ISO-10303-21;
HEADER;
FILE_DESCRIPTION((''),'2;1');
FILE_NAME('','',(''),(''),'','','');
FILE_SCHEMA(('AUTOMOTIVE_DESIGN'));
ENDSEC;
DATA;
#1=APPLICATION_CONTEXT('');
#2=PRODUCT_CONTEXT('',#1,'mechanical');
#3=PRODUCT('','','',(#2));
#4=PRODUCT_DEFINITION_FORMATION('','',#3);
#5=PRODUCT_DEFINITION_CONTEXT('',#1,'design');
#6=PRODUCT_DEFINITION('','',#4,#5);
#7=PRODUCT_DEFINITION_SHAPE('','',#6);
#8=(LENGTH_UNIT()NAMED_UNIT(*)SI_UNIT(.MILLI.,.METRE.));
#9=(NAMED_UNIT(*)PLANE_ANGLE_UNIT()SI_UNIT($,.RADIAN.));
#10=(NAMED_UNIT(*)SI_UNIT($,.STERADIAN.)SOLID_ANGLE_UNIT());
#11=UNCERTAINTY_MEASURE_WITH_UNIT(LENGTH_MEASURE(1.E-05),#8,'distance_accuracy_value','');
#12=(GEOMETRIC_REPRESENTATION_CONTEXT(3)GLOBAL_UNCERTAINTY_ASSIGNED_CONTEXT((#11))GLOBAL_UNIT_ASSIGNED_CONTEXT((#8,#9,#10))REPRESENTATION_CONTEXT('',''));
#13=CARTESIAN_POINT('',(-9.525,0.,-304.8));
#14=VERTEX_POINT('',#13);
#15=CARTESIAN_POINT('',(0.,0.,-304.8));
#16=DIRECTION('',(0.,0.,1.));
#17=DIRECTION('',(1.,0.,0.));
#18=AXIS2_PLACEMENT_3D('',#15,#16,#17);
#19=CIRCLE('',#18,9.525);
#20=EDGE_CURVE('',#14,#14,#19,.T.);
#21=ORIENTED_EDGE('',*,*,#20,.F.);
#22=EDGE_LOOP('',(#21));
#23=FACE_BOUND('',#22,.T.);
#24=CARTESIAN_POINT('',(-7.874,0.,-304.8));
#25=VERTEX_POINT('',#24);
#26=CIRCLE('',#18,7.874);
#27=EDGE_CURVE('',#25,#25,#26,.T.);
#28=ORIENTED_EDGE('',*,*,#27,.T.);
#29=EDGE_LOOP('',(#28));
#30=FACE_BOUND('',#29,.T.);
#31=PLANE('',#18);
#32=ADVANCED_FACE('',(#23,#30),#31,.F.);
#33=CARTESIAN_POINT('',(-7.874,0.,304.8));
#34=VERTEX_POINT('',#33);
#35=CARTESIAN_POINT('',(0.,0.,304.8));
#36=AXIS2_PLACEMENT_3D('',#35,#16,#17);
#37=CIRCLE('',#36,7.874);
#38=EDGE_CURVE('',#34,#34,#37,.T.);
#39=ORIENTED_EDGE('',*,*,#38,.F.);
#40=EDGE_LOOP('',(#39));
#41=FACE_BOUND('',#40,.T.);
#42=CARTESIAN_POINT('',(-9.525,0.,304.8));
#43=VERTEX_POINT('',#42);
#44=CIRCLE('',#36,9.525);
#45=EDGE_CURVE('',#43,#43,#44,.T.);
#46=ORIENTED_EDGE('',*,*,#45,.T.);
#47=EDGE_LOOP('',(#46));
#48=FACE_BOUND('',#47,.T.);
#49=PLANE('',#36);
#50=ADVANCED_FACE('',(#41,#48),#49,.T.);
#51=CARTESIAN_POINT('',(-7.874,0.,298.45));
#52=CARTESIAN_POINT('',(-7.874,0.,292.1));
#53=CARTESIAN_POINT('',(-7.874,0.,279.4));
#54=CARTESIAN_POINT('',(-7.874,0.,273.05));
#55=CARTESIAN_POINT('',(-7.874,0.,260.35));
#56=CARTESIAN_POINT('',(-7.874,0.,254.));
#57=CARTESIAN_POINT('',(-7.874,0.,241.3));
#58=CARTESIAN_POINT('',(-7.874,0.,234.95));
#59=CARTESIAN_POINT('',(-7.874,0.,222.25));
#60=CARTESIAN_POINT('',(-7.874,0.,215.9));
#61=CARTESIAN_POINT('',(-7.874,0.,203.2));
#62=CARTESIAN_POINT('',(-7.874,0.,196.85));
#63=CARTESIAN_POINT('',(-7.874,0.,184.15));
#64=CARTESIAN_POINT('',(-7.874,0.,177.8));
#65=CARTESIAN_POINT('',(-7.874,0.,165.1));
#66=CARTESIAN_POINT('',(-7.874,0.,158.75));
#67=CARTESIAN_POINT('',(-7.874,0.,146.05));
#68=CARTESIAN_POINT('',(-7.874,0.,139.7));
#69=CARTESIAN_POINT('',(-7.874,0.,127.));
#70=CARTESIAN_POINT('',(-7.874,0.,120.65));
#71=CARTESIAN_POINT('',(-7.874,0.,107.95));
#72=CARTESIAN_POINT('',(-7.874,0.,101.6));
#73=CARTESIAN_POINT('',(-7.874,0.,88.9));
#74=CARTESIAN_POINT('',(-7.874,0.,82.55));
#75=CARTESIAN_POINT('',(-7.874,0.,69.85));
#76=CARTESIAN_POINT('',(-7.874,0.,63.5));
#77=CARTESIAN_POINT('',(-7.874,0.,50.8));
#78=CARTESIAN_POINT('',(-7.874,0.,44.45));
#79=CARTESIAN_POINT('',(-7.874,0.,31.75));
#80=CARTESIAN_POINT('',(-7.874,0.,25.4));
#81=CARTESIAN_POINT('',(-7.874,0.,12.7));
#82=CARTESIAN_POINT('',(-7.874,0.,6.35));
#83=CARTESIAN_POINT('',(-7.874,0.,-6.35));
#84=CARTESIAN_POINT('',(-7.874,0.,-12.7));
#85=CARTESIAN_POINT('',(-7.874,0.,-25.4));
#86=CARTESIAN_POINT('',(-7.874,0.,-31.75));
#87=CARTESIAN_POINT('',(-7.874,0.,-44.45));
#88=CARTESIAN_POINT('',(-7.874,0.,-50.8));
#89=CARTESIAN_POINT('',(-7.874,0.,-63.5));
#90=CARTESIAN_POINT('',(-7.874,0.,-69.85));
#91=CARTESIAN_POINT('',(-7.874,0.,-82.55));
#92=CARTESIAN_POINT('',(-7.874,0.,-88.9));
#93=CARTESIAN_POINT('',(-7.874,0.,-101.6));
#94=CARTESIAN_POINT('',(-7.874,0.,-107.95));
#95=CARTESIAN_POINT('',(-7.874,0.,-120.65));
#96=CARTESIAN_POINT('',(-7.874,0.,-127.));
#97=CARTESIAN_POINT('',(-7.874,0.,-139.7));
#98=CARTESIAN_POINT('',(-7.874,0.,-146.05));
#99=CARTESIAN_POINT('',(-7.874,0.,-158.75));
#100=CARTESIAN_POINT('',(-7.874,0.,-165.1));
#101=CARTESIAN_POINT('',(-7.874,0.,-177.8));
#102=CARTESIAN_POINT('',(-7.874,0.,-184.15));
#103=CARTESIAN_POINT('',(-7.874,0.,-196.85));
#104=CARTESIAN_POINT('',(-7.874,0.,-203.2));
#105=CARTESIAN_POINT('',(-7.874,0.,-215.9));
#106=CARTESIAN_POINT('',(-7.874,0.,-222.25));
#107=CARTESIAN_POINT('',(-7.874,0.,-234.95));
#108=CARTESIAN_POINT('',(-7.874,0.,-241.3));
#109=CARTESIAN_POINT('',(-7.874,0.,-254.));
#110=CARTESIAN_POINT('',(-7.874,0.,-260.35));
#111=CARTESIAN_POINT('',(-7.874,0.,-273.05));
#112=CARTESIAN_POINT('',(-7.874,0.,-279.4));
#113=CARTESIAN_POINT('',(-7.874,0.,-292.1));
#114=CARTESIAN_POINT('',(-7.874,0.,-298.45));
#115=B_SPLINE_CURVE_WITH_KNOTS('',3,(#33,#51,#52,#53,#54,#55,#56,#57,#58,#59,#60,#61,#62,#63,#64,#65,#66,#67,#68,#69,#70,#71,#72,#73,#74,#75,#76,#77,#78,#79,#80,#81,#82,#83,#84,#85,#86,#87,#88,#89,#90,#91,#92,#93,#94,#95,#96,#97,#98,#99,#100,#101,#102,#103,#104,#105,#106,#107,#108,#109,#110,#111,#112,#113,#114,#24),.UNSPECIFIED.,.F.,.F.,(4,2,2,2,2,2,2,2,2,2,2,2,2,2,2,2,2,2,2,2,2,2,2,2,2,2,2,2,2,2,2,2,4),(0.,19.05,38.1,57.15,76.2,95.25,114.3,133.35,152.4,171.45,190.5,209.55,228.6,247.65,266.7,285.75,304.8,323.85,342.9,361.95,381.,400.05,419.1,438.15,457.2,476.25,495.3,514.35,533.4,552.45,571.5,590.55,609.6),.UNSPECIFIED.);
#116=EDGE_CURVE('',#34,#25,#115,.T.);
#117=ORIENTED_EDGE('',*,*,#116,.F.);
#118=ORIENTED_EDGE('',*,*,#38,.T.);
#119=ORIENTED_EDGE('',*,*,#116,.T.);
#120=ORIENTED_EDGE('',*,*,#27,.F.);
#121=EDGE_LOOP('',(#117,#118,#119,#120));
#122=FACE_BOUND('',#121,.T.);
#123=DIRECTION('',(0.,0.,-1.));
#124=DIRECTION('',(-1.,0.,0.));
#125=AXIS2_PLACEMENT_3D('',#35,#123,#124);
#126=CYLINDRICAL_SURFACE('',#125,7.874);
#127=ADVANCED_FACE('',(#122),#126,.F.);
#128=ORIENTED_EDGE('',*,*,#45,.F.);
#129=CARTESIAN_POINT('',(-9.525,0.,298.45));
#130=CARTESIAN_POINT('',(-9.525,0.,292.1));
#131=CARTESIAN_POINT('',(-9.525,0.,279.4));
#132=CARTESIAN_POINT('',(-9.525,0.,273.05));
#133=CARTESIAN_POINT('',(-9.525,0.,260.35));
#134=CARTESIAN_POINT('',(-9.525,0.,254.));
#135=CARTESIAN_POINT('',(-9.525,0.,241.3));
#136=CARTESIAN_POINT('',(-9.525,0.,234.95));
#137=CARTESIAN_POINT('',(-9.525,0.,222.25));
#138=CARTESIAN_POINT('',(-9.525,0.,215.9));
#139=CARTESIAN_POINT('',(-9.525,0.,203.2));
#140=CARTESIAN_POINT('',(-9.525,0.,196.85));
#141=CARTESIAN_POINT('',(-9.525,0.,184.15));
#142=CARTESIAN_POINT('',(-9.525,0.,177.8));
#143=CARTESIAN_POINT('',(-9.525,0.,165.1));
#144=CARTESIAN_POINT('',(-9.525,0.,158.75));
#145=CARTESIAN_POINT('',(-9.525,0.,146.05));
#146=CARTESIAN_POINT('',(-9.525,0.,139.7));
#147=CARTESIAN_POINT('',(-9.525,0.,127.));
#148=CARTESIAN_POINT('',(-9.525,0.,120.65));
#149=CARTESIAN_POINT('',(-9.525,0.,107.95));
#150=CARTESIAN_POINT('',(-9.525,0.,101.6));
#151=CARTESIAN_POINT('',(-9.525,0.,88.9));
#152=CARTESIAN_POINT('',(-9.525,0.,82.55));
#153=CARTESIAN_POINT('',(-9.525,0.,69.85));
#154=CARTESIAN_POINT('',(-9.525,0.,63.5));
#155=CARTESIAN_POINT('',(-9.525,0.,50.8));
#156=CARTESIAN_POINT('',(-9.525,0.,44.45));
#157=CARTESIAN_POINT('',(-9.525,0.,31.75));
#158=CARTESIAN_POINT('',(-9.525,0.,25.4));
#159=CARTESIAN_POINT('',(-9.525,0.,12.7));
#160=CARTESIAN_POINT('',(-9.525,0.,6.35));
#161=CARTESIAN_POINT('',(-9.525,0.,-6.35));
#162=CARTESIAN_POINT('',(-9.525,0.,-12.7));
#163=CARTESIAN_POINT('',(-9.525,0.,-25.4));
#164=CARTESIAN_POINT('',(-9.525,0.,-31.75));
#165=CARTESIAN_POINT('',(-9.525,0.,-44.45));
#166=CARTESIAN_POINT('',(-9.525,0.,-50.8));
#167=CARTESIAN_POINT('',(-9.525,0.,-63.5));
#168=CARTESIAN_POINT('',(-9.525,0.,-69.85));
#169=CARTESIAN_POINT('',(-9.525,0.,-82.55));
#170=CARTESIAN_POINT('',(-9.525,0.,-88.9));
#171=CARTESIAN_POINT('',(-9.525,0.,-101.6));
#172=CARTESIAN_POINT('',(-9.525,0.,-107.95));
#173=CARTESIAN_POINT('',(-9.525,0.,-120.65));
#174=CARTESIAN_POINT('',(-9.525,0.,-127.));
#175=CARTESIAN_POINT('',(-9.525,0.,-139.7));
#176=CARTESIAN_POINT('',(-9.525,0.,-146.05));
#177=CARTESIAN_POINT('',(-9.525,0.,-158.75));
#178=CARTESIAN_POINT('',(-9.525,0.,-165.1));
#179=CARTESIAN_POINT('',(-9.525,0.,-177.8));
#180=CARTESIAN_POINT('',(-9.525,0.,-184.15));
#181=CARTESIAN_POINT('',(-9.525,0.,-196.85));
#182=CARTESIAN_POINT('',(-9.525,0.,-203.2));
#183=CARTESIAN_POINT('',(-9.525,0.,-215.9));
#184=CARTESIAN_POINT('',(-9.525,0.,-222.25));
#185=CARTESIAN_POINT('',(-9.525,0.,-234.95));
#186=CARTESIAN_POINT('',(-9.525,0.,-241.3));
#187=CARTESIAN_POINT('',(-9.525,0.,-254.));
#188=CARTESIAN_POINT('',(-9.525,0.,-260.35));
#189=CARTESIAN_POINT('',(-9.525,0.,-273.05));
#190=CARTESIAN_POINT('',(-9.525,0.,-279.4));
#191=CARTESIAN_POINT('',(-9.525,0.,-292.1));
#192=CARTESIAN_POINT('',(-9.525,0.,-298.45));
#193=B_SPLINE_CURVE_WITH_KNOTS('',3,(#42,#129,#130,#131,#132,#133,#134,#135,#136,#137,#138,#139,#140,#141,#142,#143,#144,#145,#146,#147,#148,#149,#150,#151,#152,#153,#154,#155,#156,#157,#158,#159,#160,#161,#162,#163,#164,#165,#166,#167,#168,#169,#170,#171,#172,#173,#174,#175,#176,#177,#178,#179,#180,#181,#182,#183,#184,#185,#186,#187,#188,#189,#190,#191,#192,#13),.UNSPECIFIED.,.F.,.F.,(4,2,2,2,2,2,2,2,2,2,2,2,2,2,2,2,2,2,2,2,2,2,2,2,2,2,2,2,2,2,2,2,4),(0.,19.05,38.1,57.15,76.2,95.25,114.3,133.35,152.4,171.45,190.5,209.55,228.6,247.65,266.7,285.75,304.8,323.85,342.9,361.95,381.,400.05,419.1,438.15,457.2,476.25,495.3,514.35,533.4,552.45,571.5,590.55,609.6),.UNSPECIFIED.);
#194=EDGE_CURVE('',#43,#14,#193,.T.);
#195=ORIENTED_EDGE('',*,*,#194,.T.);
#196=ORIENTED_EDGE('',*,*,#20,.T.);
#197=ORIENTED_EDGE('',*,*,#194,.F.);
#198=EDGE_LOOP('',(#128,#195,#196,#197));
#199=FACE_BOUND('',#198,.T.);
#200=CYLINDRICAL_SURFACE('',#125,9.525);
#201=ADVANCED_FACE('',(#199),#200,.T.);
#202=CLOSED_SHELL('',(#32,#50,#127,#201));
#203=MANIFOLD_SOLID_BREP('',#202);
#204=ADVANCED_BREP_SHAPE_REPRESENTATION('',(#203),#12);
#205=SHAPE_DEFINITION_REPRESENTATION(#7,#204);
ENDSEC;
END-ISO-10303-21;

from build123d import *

# Parameters (mm, degrees)
SKETCH3_R           = 9.525
SKETCH3_R_2         = 7.874
BOSS_EXTRUDE1_DEPTH = 304.8


with BuildPart() as part:
    # Sketch3 → Boss-Extrude1 (new, symmetric)
    with BuildSketch(Plane.XY):
        with Locations(Location((0, 0, 0), (0, 0, 180))):
            Circle(SKETCH3_R)
        with Locations(Location((0, 0, 0), (0, 0, 180))):
            Circle(SKETCH3_R_2, mode=Mode.SUBTRACT)
    extrude(amount=BOSS_EXTRUDE1_DEPTH, both=True)


solid = part.part
